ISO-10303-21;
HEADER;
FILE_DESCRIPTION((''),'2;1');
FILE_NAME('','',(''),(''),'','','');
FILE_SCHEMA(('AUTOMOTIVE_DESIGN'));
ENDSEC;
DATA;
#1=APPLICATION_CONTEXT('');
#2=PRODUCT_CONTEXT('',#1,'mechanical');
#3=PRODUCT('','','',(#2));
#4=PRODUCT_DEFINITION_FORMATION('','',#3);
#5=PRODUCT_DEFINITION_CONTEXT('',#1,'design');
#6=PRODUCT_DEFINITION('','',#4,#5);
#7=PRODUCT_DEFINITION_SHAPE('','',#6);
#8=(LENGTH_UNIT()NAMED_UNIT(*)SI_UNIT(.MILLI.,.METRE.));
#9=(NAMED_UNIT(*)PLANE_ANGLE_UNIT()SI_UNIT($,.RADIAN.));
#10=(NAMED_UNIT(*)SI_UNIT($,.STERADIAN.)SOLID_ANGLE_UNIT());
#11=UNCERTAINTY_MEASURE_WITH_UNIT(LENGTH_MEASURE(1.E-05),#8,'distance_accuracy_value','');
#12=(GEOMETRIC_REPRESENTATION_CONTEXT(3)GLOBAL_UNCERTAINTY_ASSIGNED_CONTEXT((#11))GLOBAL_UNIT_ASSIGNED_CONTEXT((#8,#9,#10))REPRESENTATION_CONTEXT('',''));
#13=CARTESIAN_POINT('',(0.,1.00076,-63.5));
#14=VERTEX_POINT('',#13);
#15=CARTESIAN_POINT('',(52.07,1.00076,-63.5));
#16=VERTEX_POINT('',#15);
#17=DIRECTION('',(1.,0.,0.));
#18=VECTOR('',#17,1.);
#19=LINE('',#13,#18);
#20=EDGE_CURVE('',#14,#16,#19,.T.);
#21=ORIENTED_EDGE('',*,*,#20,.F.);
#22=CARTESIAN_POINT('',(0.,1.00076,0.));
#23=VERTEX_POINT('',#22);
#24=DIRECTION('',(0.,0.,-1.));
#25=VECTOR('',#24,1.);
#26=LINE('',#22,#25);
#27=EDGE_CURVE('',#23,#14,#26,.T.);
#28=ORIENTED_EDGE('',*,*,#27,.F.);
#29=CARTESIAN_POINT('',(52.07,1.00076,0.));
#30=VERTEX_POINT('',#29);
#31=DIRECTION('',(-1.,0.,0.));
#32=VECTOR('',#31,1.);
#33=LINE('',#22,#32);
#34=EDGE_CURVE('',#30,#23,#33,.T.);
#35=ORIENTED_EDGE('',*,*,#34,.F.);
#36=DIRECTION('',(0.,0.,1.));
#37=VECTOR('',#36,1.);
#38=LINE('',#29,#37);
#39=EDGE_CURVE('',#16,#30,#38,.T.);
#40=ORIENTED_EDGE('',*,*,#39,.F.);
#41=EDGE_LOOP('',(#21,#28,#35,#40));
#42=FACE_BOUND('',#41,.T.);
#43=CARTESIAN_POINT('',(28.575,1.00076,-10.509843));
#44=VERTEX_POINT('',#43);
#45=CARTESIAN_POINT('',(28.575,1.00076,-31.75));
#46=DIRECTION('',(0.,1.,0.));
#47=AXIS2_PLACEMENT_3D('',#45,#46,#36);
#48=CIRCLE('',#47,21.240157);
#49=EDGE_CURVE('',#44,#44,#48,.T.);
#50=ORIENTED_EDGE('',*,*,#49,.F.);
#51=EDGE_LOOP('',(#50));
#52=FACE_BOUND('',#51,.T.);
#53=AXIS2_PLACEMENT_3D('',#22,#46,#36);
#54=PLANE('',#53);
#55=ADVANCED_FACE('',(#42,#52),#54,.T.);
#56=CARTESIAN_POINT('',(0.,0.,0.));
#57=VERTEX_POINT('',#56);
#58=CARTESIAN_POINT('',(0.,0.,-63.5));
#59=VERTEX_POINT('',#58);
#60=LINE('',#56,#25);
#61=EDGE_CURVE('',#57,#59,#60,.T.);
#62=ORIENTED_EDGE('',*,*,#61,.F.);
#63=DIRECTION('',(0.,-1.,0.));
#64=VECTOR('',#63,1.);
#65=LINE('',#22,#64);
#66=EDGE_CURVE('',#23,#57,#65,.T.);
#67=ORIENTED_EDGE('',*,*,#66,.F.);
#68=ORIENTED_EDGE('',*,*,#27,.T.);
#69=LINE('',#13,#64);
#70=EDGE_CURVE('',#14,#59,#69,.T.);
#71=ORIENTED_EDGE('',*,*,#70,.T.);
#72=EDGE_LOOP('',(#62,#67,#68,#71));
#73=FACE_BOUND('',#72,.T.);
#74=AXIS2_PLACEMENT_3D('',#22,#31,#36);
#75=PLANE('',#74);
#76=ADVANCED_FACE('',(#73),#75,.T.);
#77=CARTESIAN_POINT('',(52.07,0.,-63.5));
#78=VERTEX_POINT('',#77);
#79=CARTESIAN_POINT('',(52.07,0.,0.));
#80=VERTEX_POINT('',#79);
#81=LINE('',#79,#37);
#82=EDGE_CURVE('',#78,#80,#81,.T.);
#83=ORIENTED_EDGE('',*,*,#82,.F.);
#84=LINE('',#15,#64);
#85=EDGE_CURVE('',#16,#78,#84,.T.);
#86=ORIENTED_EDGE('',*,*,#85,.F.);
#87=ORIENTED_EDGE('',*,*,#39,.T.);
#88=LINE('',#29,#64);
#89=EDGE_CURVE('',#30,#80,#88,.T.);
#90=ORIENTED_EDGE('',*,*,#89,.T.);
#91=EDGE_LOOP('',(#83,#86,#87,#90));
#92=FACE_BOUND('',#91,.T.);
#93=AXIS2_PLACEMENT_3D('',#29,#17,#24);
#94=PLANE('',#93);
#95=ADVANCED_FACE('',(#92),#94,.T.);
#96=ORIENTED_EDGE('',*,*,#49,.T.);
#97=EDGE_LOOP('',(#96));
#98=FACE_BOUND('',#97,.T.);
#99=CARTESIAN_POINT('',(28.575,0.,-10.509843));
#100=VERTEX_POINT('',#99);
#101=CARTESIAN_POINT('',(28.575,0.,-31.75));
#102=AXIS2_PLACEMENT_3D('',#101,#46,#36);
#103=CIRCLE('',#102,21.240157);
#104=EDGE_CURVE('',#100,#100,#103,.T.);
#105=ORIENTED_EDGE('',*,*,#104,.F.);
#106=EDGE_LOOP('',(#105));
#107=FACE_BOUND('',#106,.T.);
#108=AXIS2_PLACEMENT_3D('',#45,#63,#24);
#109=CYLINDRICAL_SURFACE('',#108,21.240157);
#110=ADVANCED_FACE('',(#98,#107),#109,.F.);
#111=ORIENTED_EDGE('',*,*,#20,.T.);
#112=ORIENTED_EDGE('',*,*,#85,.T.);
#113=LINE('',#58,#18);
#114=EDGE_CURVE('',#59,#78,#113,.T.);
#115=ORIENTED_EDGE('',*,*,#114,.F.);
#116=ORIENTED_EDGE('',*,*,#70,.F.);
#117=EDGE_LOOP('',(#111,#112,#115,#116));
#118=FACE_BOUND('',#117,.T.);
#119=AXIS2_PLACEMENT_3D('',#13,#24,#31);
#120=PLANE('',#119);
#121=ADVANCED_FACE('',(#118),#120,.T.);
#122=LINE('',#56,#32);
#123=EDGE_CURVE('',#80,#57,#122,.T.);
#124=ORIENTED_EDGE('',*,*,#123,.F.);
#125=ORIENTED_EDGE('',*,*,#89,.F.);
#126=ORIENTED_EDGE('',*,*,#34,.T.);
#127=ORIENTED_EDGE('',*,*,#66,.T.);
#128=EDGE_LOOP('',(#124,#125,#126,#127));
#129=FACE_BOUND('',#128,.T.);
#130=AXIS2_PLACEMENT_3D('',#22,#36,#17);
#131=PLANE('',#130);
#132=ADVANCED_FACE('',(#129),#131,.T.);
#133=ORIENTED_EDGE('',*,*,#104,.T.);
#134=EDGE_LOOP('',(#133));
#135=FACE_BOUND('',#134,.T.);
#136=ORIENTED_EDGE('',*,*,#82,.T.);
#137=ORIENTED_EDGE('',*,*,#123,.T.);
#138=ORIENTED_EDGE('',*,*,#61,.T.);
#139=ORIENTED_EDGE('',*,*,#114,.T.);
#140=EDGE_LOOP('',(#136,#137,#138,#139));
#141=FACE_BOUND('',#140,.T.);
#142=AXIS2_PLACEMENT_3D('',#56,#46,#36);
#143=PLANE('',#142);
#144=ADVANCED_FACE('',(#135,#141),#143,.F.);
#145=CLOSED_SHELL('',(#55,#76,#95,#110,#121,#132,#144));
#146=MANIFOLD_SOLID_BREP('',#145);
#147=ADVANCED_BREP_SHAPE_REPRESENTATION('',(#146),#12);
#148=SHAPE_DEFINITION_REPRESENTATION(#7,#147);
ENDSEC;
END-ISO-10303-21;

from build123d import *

# Parameters (mm, degrees)
BOSS_EXTRUDE1_DEPTH = 1.00076


with BuildPart() as part:
    # Sketch3 → Boss-Extrude1 (new body)
    with BuildSketch(Plane(origin=(0, 0, 0), x_dir=(1, 0, 0), z_dir=(0, 1, 0))):
        with BuildLine():
            Line((0, 63.5), (0, 0))
            Line((0, 0), (24.257, 0))
            Line((24.257, 0), (24.257, 10.953386454))
            ThreePointArc((24.257, 10.953386454), (7.334843244, 31.75), (24.257, 52.546613546))
            Line((24.257, 52.546613546), (24.257, 63.5))
            Line((24.257, 63.5), (0, 63.5))
        make_face()
        with BuildLine():
            Line((32.893, 10.953386454), (32.893, 0))
            Line((32.893, 0), (52.07, 0))
            Line((52.07, 0), (52.07, 63.5))
            Line((52.07, 63.5), (32.893, 63.5))
            Line((32.893, 63.5), (32.893, 52.546613546))
            ThreePointArc((32.893, 52.546613546), (45.050121485, 45.155768574), (49.815156756, 31.75))
            ThreePointArc((49.815156756, 31.75), (45.050121485, 18.344231426), (32.893, 10.953386454))
        make_face()
        with BuildLine():
            Line((28.575, 10.509843244), (28.575, 0))
            Line((28.575, 0), (32.893, 0))
            Line((32.893, 0), (32.893, 10.953386454))
            ThreePointArc((32.893, 10.953386454), (30.745360257, 10.621020011), (28.575, 10.509843244))
        make_face()
        with BuildLine():
            Line((24.257, 10.953386454), (24.257, 0))
            Line((24.257, 0), (28.575, 0))
            Line((28.575, 0), (28.575, 10.509843244))
            ThreePointArc((28.575, 10.509843244), (26.404639743, 10.621020011), (24.257, 10.953386454))
        make_face()
        with BuildLine():
            Line((32.893, 63.5), (28.575, 63.5))
            Line((28.575, 63.5), (28.575, 52.990156756))
            ThreePointArc((28.575, 52.990156756), (30.745360257, 52.878979989), (32.893, 52.546613546))
            Line((32.893, 52.546613546), (32.893, 63.5))
        make_face()
        with BuildLine():
            Line((28.575, 63.5), (24.257, 63.5))
            Line((24.257, 63.5), (24.257, 52.546613546))
            ThreePointArc((24.257, 52.546613546), (26.404639743, 52.878979989), (28.575, 52.990156756))
            Line((28.575, 52.990156756), (28.575, 63.5))
        make_face()
    extrude(amount=BOSS_EXTRUDE1_DEPTH)


solid = part.part
